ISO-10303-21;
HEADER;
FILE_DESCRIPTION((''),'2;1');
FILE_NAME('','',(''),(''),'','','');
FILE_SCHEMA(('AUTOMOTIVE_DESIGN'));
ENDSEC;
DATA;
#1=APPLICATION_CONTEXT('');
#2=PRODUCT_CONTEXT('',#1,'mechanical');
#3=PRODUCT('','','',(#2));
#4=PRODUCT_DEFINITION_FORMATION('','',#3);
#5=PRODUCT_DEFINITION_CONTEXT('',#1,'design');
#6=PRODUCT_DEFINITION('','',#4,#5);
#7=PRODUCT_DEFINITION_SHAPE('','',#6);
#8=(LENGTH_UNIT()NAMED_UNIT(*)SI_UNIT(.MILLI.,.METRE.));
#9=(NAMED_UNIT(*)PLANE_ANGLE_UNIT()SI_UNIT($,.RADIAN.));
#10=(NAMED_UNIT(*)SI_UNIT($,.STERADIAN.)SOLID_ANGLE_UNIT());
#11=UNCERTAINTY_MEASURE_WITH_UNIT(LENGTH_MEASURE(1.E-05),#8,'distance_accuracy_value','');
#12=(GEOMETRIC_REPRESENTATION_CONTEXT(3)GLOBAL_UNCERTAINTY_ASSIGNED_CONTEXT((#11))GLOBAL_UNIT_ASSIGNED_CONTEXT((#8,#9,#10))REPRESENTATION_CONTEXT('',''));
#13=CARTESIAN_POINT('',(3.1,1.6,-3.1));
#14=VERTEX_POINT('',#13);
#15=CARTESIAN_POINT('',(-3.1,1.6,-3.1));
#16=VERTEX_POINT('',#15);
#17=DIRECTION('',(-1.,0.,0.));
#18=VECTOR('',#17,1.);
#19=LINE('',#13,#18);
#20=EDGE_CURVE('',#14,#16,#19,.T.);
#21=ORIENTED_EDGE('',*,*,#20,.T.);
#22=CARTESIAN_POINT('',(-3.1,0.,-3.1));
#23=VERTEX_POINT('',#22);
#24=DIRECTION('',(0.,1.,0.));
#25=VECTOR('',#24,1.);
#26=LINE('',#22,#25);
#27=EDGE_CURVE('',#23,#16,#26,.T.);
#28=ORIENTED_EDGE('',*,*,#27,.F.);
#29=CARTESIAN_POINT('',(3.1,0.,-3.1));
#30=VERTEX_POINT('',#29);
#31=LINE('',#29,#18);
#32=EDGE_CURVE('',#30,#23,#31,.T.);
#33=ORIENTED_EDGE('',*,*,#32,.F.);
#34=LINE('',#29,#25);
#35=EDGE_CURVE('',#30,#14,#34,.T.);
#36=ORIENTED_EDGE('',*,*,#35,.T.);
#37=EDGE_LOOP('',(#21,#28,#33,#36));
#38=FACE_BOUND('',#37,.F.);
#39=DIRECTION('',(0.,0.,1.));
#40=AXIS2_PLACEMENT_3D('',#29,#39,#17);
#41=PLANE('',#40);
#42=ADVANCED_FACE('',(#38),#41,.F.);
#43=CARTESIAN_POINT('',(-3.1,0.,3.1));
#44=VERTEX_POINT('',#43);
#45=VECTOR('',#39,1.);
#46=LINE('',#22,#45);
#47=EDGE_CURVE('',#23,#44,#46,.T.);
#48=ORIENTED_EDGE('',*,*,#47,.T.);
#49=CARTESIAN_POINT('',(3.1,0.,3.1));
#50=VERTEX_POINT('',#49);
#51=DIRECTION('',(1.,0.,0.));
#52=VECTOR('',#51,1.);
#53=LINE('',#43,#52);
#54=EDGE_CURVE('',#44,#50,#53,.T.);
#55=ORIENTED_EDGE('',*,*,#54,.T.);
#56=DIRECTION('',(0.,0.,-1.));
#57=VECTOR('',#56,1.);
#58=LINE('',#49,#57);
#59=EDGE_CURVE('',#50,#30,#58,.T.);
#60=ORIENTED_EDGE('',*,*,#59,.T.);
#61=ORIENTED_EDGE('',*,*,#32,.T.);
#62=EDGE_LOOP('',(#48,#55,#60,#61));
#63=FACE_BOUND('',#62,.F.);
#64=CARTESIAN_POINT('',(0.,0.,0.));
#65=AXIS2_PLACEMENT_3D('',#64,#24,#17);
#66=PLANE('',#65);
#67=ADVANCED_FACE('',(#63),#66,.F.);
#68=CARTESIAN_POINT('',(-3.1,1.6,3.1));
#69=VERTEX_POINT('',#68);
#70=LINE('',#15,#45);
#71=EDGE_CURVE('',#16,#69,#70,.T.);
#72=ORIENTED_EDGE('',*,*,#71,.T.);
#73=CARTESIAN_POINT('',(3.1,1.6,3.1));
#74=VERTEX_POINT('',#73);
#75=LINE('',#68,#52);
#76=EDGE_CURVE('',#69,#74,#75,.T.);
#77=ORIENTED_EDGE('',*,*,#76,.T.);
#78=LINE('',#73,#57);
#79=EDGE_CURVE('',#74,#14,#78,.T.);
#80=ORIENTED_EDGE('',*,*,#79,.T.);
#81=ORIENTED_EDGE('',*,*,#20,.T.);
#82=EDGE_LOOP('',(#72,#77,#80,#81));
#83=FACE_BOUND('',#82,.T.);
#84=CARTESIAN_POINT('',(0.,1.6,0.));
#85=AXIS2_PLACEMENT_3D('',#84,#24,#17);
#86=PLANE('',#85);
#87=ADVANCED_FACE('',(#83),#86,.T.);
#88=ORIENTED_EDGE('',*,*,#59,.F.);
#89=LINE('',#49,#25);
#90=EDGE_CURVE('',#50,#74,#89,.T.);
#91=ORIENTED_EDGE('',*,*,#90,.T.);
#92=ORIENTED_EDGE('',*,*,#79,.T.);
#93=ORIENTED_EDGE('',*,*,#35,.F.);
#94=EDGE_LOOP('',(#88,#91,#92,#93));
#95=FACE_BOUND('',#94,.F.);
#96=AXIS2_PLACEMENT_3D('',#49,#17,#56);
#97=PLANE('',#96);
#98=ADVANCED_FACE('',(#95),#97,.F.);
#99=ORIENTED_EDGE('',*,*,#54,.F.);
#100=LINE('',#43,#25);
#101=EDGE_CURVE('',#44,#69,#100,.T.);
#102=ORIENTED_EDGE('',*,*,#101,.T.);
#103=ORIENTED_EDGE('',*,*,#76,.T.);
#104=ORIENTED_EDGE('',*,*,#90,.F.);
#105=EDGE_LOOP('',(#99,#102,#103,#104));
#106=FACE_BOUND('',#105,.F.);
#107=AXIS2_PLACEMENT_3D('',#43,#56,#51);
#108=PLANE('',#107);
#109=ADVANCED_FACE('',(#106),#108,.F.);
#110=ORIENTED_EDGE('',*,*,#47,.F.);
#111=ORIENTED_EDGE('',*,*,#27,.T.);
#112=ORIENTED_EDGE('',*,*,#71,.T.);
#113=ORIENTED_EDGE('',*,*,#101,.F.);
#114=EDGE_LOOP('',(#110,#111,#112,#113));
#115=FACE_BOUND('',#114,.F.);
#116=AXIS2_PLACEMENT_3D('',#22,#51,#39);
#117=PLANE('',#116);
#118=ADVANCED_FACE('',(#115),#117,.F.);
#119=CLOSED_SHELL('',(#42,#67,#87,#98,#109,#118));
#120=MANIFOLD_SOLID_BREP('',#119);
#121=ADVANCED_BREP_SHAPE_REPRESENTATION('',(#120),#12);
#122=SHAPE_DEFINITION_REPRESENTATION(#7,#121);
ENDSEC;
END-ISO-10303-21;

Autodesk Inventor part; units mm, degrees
ref_plane "YZ Plane" through (0, 0, 0) normal (1, 0, 0) x (0, 1, 0)
ref_plane "XZ Plane" through (0, 0, 0) normal (0, 1, 0) x (-1, 0, 0)
ref_plane "XY Plane" through (0, 0, 0) normal (0, 0, 1) x (1, 0, 0)
sketch "Sketch1" plane through (0, 0, 0) normal (0, 1, 0) x (-1, 0, 0)
  line L0 (-3.1, -3.1) -> (3.1, -3.1)
  line L1 (3.1, -3.1) -> (3.1, 3.1)
  line L2 (3.1, 3.1) -> (-3.1, 3.1)
  line L3 (-3.1, 3.1) -> (-3.1, -3.1)
  line L4 (-3.1, -3.1) -> (3.1, 3.1) construction
  line L5 (3.1, -3.1) -> (-3.1, 3.1) construction
  point P0 (0, 0)
  dimension "d0" = 6
  dimension "d1" = 6
extrude "Extrusion1" add sketch "Sketch1" along normal blind 1.6
sketch "Sensing Face" plane through (0, 1.6, 0) normal (0, 1, 0) x (1, 0, 0)
  circle A0 centre (-2.5, 1.25) radius 0.5
  line L0 (3.1, 3.1) -> (-3.1, 3.1) construction
  line L1 (0, 3.1) -> (0, -3.1) construction
  line L2 (-3.1, -3.1) -> (3.1, -3.1) construction
  circle A1 centre (-2.5, 0) radius 0.5
  circle A2 centre (-2.5, -1.25) radius 0.5
  circle A3 centre (-1.25, -2.5) radius 0.5
  circle A4 centre (0, -2.5) radius 0.5
  circle A5 centre (1.25, -2.5) radius 0.5
  circle A6 centre (2.5, -1.25) radius 0.5
  circle A7 centre (2.5, 0) radius 0.5
  circle A8 centre (2.5, 1.25) radius 0.5
  circle A9 centre (1.25, 2.5) radius 0.5
  circle A10 centre (0, 2.5) radius 0.5
  circle A11 centre (-1.25, 2.5) radius 0.5
  line L3 (-2.5, 1.25) -> (2.5, 1.25) construction
  line L4 (-2.5, 0) -> (2.5, 0) construction
  line L5 (-2.5, -1.25) -> (2.5, -1.25) construction
  point P0 (0, 0)
  dimension "d4" = 1
  dimension "d5" = 1.25
  dimension "d6" = 2.5
  dimension "d9" = 1.25
  dimension "d16" = 360
  dimension "d20" = 1.25
equation "\"d1\" = d0"
properties part number "sensor_unit"
